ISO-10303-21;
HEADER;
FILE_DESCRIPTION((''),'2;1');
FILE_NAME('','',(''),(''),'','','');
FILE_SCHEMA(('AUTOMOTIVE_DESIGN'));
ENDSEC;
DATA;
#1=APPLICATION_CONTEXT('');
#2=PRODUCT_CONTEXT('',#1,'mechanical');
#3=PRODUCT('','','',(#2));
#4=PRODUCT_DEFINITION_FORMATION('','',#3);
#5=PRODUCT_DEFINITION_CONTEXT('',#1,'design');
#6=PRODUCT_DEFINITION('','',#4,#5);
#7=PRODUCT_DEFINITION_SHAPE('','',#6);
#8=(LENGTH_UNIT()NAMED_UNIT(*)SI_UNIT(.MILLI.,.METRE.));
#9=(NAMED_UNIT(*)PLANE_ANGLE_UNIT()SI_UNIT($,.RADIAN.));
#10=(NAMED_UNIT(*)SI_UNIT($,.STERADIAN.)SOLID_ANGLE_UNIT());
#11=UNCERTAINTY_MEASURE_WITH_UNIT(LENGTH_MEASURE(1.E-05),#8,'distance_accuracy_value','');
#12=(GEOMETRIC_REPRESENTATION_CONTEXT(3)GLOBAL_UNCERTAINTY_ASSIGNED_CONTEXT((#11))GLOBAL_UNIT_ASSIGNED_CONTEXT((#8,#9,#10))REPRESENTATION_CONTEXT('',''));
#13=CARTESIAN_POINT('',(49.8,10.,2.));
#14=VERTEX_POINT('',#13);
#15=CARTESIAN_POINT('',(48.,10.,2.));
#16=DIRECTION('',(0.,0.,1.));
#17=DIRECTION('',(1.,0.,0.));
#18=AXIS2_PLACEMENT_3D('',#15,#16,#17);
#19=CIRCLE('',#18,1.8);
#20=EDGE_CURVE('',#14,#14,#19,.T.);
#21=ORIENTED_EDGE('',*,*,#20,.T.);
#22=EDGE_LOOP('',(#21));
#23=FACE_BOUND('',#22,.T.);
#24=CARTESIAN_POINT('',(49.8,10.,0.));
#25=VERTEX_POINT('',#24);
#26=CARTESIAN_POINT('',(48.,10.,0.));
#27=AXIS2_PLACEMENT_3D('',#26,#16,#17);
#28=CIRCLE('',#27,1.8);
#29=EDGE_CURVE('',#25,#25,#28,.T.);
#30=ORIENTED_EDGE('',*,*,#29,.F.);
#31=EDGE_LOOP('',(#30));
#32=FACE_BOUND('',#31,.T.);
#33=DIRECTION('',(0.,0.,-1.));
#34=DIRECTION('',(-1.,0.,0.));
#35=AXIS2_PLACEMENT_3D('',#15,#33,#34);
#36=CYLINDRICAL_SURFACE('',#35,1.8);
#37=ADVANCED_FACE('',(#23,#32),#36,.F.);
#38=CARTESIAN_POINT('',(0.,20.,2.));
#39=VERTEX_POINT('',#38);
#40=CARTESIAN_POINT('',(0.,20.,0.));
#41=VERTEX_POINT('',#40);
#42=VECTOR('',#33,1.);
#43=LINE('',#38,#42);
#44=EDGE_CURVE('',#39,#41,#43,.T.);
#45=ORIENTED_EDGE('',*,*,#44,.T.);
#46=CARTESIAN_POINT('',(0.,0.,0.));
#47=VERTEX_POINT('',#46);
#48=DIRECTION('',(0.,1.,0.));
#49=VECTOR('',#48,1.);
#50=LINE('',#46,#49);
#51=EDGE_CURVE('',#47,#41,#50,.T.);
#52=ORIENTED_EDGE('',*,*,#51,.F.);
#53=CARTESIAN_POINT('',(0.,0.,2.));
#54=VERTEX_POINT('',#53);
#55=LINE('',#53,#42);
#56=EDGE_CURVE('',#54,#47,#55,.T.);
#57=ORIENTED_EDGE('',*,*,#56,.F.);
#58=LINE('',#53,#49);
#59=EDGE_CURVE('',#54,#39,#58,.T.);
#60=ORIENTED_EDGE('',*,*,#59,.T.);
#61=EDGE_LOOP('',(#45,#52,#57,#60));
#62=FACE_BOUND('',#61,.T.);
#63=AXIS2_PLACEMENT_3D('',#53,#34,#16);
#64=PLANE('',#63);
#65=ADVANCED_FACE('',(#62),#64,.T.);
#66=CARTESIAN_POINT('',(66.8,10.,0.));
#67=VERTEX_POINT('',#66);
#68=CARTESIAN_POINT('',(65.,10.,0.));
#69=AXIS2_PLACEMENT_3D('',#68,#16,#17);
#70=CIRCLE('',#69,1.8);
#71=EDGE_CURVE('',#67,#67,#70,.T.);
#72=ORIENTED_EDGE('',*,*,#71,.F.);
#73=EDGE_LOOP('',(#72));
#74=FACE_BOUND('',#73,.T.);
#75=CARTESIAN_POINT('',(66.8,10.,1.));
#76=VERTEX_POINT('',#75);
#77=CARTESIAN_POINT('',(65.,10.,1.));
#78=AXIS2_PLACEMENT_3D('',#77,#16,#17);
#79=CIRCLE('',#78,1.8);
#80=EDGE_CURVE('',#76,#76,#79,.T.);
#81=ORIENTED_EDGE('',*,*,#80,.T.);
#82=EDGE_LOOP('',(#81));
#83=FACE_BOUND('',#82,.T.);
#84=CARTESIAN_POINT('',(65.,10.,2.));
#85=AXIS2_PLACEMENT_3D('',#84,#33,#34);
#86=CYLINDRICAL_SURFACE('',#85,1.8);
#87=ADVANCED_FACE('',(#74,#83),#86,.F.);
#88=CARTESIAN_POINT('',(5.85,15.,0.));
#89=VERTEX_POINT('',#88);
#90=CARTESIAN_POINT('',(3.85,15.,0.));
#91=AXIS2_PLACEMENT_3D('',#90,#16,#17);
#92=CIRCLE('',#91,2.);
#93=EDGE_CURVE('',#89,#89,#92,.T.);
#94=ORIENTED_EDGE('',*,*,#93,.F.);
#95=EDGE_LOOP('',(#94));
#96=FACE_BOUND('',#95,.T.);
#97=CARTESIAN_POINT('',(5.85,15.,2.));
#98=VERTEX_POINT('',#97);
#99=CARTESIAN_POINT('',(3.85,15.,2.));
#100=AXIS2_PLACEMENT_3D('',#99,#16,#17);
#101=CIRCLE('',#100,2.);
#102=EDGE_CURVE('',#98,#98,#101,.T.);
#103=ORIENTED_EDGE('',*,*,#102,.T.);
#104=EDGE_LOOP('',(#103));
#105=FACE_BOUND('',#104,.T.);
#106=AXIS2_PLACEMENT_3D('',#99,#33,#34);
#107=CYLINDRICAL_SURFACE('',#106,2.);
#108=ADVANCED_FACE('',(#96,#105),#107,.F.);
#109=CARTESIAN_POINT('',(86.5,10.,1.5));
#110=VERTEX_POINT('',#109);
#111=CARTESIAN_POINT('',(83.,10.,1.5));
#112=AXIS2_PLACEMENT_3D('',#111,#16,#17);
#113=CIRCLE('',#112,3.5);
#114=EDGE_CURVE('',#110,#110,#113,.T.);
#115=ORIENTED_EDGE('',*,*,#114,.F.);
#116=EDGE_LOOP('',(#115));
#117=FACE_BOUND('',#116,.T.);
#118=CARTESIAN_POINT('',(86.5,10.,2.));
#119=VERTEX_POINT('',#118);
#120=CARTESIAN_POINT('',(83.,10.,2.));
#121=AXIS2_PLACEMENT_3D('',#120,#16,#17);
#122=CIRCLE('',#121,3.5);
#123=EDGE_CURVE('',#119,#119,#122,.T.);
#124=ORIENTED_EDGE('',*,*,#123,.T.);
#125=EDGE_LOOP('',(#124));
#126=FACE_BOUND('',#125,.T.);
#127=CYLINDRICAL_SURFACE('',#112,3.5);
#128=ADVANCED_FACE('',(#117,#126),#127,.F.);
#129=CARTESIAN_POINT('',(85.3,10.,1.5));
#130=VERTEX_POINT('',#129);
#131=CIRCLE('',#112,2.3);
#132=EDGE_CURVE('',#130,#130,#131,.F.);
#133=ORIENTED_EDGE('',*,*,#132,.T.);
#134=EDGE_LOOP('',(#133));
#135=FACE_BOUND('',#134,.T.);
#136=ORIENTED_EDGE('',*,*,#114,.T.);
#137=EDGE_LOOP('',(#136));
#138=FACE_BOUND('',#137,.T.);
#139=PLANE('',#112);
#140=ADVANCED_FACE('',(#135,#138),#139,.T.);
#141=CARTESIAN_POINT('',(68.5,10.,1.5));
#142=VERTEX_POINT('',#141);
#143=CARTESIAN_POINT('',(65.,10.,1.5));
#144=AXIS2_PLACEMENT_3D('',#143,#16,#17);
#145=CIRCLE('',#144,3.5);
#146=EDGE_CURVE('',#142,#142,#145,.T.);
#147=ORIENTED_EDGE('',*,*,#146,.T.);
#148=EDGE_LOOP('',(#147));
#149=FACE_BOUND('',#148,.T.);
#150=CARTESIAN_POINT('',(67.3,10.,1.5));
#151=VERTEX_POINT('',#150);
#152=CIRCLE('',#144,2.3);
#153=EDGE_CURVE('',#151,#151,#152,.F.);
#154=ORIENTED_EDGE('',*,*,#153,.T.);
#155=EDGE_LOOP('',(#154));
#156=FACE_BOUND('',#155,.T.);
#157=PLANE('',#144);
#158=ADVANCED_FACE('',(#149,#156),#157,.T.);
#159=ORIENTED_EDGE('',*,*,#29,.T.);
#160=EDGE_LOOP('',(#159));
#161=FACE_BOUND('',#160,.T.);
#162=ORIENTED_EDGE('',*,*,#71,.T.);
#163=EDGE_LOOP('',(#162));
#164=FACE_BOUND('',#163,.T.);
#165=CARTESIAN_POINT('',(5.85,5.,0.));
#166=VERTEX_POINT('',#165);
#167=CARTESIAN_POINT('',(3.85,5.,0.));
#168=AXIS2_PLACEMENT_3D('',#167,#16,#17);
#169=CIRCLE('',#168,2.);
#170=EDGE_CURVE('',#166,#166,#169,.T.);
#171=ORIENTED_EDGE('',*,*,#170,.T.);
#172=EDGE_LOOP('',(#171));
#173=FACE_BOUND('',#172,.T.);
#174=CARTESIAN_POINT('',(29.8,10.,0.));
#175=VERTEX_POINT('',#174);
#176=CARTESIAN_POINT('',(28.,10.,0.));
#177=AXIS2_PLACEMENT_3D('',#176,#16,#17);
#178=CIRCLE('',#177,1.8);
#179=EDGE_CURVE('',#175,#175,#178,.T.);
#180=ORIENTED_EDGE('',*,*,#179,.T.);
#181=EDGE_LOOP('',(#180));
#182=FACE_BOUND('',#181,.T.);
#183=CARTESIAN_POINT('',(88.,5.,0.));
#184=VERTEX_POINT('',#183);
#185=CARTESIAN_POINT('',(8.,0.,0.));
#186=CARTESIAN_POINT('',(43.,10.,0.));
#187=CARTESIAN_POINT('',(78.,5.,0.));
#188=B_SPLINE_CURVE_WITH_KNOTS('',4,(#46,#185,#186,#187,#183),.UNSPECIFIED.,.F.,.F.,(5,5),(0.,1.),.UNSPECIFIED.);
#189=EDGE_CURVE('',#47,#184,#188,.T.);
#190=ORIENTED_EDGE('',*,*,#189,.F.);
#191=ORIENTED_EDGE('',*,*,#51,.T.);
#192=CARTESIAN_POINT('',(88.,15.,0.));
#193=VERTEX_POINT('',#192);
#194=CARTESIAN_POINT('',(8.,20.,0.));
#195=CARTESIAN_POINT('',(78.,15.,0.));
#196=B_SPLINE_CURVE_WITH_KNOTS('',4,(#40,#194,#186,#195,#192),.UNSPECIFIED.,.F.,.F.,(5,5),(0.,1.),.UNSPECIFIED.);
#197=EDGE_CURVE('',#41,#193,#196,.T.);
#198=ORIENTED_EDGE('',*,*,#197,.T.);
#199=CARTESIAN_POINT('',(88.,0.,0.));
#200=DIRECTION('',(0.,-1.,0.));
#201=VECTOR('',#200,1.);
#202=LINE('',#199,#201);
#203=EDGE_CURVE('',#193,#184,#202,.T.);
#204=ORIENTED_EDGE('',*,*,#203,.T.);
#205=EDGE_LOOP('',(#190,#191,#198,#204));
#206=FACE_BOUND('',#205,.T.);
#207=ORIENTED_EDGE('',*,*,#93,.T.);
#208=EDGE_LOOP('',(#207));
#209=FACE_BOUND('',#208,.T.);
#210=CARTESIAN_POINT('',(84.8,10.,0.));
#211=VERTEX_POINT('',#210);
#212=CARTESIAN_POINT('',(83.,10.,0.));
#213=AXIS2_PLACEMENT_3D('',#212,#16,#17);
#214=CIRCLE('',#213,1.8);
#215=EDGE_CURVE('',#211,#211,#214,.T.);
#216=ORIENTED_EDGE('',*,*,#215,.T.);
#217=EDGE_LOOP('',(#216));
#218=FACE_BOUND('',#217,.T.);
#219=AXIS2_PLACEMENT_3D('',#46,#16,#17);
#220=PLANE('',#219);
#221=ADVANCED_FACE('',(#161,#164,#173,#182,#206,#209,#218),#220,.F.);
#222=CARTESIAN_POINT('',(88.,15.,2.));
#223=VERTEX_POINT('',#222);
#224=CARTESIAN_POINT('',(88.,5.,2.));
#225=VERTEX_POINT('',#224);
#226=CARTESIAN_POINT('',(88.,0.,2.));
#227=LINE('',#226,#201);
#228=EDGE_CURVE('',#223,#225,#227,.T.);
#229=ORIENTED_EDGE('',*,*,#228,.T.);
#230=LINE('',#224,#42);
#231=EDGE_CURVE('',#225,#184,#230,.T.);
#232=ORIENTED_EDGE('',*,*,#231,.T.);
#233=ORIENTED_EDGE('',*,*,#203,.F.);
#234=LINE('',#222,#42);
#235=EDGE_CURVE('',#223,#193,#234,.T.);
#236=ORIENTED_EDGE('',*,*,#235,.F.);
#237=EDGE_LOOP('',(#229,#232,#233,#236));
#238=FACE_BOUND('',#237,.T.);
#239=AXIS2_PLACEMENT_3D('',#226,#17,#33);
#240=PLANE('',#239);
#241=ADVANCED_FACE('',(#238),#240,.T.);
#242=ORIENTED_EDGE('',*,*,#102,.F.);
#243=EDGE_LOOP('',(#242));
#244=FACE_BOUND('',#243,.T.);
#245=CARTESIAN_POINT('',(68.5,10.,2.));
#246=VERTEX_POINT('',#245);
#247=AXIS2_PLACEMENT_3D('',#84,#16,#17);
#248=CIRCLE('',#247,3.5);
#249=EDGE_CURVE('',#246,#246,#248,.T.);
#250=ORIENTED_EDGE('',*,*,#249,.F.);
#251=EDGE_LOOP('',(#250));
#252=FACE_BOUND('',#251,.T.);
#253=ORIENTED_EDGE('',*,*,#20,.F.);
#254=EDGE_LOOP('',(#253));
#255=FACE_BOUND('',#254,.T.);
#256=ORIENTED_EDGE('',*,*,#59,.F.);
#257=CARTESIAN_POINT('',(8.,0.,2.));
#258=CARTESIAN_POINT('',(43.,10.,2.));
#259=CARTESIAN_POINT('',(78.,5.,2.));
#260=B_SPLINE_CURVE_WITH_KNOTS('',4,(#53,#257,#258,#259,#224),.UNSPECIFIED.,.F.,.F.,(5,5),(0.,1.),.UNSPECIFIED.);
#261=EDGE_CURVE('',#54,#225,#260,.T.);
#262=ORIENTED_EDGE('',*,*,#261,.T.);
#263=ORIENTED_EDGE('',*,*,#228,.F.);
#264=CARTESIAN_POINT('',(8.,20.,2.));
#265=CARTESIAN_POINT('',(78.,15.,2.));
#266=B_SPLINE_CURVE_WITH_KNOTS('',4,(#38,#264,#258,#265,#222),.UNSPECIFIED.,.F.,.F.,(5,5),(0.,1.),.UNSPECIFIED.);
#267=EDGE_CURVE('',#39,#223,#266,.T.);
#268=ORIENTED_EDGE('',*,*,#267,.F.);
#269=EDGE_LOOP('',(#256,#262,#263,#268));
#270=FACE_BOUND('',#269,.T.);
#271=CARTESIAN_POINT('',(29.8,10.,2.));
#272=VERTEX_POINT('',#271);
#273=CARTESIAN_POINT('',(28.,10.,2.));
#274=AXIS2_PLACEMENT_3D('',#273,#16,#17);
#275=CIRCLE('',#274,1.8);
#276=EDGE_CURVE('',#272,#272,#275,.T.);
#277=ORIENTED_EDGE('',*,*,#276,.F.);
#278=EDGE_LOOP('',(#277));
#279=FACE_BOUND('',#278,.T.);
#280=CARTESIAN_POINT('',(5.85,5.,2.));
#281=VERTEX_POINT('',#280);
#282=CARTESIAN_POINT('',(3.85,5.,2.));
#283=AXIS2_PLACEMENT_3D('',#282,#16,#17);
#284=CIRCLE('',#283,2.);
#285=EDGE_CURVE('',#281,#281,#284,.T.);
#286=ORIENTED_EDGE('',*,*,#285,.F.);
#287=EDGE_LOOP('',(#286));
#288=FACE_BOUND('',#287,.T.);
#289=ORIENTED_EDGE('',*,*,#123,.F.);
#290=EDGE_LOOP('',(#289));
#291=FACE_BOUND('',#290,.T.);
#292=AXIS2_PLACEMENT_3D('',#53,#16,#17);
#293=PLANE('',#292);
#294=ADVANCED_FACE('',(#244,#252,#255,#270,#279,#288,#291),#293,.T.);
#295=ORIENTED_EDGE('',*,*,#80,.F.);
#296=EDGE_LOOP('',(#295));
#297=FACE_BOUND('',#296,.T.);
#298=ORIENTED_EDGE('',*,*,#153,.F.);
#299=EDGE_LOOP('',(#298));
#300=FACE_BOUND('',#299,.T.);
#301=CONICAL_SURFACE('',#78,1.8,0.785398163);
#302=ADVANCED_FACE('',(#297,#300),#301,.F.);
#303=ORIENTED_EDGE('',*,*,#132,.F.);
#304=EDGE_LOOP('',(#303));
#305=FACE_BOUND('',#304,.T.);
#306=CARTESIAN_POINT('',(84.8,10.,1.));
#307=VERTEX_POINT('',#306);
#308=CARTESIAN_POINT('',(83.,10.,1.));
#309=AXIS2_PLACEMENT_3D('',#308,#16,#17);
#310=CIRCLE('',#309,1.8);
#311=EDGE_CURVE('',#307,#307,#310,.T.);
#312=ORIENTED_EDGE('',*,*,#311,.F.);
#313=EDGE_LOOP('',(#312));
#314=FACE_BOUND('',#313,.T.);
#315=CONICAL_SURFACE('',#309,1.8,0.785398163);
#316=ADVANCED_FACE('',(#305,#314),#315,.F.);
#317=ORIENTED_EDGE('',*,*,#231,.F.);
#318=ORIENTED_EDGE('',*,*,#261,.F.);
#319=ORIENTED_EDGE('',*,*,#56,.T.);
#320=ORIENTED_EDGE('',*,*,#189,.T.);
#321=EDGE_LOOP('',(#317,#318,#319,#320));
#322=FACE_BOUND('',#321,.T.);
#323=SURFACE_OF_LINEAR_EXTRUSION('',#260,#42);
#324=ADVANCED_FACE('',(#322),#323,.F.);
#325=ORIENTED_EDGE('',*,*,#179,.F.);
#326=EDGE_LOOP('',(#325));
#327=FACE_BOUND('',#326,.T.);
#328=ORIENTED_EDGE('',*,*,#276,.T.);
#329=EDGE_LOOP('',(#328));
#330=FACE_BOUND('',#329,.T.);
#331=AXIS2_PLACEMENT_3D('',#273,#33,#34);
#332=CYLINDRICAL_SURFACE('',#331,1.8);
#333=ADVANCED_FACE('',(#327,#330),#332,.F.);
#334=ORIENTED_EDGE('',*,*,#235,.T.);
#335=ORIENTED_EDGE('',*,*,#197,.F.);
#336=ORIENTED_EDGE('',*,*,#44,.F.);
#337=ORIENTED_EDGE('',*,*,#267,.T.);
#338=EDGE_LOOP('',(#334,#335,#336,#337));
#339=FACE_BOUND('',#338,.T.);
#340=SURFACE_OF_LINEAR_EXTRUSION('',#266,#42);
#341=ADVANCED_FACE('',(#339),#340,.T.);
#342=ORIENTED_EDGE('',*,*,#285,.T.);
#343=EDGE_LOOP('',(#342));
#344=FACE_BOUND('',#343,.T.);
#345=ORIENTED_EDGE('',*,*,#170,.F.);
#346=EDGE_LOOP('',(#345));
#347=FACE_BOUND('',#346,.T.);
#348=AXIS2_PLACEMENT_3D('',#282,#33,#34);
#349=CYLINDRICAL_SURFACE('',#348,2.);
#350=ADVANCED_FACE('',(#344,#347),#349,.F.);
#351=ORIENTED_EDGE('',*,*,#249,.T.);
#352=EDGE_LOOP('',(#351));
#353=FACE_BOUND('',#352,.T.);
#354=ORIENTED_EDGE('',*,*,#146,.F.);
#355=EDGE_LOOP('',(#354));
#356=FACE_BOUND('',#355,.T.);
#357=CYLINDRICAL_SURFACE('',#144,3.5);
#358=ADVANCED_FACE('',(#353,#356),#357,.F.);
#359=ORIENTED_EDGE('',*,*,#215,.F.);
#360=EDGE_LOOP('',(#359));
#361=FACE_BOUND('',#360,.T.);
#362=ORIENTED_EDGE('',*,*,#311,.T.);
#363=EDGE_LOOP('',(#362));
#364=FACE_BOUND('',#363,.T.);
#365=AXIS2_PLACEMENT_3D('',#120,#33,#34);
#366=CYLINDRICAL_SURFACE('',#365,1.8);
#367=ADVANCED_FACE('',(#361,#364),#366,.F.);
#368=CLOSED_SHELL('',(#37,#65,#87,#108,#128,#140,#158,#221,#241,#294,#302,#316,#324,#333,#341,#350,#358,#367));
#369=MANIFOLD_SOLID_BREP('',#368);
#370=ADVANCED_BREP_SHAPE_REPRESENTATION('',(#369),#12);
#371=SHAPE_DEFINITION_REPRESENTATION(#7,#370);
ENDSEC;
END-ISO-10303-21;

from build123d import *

# Parameters (mm, degrees)
ESQUISSE1_R             = 2
ESQUISSE1_R_2           = 1.8
BOSS_EXTRU_1_DEPTH      = 2
ESQUISSE3_R             = 3.5
ENL_V_MAT_EXTRU_1_DEPTH = 0.5
CHANFREIN1_SIZE         = 0.5


with BuildPart() as part:
    # Esquisse1 → Boss.-Extru.1 (new body)
    with BuildSketch(Plane.XY):
        with BuildLine():
            Line((0, 0), (0, 20))
            add(Edge.make_bspline(
                [(0, 20), (8, 20), (43, 10), (78, 15), (88, 15)],
                knots=[0, 0, 0, 0, 0, 1, 1, 1, 1, 1], degree=4))
            Line((88, 15), (88, 5))
            add(Edge.make_bspline(
                [(0, 0), (8, 0), (43, 10), (78, 5), (88, 5)],
                knots=[0, 0, 0, 0, 0, 1, 1, 1, 1, 1], degree=4))
        make_face()
        with Locations((3.85, 15)):
            Circle(ESQUISSE1_R, mode=Mode.SUBTRACT)
        with Locations((3.85, 5)):
            Circle(ESQUISSE1_R, mode=Mode.SUBTRACT)
        with Locations((65, 10)):
            Circle(ESQUISSE1_R_2, mode=Mode.SUBTRACT)
        with Locations((83, 10)):
            Circle(ESQUISSE1_R_2, mode=Mode.SUBTRACT)
        with Locations((28, 10)):
            Circle(ESQUISSE1_R_2, mode=Mode.SUBTRACT)
        with Locations((48, 10)):
            Circle(ESQUISSE1_R_2, mode=Mode.SUBTRACT)
    extrude(amount=BOSS_EXTRU_1_DEPTH)

    # Esquisse3 → Enlèv. mat.-Extru.1 (cut)
    with BuildSketch(Plane.XY.offset(2)):
        with Locations((65, 10)):
            Circle(ESQUISSE3_R)
        with Locations((83, 10)):
            Circle(ESQUISSE3_R)
    extrude(amount=-ENL_V_MAT_EXTRU_1_DEPTH, mode=Mode.SUBTRACT)

    # Chanfrein1
    chanfrein1_edges = [part.edges().sort_by_distance(p)[0] for p in [
        (63.2, 10, 1.5),
        (81.2, 10, 1.5),
    ]]
    chamfer(chanfrein1_edges, length=CHANFREIN1_SIZE)


solid = part.part
